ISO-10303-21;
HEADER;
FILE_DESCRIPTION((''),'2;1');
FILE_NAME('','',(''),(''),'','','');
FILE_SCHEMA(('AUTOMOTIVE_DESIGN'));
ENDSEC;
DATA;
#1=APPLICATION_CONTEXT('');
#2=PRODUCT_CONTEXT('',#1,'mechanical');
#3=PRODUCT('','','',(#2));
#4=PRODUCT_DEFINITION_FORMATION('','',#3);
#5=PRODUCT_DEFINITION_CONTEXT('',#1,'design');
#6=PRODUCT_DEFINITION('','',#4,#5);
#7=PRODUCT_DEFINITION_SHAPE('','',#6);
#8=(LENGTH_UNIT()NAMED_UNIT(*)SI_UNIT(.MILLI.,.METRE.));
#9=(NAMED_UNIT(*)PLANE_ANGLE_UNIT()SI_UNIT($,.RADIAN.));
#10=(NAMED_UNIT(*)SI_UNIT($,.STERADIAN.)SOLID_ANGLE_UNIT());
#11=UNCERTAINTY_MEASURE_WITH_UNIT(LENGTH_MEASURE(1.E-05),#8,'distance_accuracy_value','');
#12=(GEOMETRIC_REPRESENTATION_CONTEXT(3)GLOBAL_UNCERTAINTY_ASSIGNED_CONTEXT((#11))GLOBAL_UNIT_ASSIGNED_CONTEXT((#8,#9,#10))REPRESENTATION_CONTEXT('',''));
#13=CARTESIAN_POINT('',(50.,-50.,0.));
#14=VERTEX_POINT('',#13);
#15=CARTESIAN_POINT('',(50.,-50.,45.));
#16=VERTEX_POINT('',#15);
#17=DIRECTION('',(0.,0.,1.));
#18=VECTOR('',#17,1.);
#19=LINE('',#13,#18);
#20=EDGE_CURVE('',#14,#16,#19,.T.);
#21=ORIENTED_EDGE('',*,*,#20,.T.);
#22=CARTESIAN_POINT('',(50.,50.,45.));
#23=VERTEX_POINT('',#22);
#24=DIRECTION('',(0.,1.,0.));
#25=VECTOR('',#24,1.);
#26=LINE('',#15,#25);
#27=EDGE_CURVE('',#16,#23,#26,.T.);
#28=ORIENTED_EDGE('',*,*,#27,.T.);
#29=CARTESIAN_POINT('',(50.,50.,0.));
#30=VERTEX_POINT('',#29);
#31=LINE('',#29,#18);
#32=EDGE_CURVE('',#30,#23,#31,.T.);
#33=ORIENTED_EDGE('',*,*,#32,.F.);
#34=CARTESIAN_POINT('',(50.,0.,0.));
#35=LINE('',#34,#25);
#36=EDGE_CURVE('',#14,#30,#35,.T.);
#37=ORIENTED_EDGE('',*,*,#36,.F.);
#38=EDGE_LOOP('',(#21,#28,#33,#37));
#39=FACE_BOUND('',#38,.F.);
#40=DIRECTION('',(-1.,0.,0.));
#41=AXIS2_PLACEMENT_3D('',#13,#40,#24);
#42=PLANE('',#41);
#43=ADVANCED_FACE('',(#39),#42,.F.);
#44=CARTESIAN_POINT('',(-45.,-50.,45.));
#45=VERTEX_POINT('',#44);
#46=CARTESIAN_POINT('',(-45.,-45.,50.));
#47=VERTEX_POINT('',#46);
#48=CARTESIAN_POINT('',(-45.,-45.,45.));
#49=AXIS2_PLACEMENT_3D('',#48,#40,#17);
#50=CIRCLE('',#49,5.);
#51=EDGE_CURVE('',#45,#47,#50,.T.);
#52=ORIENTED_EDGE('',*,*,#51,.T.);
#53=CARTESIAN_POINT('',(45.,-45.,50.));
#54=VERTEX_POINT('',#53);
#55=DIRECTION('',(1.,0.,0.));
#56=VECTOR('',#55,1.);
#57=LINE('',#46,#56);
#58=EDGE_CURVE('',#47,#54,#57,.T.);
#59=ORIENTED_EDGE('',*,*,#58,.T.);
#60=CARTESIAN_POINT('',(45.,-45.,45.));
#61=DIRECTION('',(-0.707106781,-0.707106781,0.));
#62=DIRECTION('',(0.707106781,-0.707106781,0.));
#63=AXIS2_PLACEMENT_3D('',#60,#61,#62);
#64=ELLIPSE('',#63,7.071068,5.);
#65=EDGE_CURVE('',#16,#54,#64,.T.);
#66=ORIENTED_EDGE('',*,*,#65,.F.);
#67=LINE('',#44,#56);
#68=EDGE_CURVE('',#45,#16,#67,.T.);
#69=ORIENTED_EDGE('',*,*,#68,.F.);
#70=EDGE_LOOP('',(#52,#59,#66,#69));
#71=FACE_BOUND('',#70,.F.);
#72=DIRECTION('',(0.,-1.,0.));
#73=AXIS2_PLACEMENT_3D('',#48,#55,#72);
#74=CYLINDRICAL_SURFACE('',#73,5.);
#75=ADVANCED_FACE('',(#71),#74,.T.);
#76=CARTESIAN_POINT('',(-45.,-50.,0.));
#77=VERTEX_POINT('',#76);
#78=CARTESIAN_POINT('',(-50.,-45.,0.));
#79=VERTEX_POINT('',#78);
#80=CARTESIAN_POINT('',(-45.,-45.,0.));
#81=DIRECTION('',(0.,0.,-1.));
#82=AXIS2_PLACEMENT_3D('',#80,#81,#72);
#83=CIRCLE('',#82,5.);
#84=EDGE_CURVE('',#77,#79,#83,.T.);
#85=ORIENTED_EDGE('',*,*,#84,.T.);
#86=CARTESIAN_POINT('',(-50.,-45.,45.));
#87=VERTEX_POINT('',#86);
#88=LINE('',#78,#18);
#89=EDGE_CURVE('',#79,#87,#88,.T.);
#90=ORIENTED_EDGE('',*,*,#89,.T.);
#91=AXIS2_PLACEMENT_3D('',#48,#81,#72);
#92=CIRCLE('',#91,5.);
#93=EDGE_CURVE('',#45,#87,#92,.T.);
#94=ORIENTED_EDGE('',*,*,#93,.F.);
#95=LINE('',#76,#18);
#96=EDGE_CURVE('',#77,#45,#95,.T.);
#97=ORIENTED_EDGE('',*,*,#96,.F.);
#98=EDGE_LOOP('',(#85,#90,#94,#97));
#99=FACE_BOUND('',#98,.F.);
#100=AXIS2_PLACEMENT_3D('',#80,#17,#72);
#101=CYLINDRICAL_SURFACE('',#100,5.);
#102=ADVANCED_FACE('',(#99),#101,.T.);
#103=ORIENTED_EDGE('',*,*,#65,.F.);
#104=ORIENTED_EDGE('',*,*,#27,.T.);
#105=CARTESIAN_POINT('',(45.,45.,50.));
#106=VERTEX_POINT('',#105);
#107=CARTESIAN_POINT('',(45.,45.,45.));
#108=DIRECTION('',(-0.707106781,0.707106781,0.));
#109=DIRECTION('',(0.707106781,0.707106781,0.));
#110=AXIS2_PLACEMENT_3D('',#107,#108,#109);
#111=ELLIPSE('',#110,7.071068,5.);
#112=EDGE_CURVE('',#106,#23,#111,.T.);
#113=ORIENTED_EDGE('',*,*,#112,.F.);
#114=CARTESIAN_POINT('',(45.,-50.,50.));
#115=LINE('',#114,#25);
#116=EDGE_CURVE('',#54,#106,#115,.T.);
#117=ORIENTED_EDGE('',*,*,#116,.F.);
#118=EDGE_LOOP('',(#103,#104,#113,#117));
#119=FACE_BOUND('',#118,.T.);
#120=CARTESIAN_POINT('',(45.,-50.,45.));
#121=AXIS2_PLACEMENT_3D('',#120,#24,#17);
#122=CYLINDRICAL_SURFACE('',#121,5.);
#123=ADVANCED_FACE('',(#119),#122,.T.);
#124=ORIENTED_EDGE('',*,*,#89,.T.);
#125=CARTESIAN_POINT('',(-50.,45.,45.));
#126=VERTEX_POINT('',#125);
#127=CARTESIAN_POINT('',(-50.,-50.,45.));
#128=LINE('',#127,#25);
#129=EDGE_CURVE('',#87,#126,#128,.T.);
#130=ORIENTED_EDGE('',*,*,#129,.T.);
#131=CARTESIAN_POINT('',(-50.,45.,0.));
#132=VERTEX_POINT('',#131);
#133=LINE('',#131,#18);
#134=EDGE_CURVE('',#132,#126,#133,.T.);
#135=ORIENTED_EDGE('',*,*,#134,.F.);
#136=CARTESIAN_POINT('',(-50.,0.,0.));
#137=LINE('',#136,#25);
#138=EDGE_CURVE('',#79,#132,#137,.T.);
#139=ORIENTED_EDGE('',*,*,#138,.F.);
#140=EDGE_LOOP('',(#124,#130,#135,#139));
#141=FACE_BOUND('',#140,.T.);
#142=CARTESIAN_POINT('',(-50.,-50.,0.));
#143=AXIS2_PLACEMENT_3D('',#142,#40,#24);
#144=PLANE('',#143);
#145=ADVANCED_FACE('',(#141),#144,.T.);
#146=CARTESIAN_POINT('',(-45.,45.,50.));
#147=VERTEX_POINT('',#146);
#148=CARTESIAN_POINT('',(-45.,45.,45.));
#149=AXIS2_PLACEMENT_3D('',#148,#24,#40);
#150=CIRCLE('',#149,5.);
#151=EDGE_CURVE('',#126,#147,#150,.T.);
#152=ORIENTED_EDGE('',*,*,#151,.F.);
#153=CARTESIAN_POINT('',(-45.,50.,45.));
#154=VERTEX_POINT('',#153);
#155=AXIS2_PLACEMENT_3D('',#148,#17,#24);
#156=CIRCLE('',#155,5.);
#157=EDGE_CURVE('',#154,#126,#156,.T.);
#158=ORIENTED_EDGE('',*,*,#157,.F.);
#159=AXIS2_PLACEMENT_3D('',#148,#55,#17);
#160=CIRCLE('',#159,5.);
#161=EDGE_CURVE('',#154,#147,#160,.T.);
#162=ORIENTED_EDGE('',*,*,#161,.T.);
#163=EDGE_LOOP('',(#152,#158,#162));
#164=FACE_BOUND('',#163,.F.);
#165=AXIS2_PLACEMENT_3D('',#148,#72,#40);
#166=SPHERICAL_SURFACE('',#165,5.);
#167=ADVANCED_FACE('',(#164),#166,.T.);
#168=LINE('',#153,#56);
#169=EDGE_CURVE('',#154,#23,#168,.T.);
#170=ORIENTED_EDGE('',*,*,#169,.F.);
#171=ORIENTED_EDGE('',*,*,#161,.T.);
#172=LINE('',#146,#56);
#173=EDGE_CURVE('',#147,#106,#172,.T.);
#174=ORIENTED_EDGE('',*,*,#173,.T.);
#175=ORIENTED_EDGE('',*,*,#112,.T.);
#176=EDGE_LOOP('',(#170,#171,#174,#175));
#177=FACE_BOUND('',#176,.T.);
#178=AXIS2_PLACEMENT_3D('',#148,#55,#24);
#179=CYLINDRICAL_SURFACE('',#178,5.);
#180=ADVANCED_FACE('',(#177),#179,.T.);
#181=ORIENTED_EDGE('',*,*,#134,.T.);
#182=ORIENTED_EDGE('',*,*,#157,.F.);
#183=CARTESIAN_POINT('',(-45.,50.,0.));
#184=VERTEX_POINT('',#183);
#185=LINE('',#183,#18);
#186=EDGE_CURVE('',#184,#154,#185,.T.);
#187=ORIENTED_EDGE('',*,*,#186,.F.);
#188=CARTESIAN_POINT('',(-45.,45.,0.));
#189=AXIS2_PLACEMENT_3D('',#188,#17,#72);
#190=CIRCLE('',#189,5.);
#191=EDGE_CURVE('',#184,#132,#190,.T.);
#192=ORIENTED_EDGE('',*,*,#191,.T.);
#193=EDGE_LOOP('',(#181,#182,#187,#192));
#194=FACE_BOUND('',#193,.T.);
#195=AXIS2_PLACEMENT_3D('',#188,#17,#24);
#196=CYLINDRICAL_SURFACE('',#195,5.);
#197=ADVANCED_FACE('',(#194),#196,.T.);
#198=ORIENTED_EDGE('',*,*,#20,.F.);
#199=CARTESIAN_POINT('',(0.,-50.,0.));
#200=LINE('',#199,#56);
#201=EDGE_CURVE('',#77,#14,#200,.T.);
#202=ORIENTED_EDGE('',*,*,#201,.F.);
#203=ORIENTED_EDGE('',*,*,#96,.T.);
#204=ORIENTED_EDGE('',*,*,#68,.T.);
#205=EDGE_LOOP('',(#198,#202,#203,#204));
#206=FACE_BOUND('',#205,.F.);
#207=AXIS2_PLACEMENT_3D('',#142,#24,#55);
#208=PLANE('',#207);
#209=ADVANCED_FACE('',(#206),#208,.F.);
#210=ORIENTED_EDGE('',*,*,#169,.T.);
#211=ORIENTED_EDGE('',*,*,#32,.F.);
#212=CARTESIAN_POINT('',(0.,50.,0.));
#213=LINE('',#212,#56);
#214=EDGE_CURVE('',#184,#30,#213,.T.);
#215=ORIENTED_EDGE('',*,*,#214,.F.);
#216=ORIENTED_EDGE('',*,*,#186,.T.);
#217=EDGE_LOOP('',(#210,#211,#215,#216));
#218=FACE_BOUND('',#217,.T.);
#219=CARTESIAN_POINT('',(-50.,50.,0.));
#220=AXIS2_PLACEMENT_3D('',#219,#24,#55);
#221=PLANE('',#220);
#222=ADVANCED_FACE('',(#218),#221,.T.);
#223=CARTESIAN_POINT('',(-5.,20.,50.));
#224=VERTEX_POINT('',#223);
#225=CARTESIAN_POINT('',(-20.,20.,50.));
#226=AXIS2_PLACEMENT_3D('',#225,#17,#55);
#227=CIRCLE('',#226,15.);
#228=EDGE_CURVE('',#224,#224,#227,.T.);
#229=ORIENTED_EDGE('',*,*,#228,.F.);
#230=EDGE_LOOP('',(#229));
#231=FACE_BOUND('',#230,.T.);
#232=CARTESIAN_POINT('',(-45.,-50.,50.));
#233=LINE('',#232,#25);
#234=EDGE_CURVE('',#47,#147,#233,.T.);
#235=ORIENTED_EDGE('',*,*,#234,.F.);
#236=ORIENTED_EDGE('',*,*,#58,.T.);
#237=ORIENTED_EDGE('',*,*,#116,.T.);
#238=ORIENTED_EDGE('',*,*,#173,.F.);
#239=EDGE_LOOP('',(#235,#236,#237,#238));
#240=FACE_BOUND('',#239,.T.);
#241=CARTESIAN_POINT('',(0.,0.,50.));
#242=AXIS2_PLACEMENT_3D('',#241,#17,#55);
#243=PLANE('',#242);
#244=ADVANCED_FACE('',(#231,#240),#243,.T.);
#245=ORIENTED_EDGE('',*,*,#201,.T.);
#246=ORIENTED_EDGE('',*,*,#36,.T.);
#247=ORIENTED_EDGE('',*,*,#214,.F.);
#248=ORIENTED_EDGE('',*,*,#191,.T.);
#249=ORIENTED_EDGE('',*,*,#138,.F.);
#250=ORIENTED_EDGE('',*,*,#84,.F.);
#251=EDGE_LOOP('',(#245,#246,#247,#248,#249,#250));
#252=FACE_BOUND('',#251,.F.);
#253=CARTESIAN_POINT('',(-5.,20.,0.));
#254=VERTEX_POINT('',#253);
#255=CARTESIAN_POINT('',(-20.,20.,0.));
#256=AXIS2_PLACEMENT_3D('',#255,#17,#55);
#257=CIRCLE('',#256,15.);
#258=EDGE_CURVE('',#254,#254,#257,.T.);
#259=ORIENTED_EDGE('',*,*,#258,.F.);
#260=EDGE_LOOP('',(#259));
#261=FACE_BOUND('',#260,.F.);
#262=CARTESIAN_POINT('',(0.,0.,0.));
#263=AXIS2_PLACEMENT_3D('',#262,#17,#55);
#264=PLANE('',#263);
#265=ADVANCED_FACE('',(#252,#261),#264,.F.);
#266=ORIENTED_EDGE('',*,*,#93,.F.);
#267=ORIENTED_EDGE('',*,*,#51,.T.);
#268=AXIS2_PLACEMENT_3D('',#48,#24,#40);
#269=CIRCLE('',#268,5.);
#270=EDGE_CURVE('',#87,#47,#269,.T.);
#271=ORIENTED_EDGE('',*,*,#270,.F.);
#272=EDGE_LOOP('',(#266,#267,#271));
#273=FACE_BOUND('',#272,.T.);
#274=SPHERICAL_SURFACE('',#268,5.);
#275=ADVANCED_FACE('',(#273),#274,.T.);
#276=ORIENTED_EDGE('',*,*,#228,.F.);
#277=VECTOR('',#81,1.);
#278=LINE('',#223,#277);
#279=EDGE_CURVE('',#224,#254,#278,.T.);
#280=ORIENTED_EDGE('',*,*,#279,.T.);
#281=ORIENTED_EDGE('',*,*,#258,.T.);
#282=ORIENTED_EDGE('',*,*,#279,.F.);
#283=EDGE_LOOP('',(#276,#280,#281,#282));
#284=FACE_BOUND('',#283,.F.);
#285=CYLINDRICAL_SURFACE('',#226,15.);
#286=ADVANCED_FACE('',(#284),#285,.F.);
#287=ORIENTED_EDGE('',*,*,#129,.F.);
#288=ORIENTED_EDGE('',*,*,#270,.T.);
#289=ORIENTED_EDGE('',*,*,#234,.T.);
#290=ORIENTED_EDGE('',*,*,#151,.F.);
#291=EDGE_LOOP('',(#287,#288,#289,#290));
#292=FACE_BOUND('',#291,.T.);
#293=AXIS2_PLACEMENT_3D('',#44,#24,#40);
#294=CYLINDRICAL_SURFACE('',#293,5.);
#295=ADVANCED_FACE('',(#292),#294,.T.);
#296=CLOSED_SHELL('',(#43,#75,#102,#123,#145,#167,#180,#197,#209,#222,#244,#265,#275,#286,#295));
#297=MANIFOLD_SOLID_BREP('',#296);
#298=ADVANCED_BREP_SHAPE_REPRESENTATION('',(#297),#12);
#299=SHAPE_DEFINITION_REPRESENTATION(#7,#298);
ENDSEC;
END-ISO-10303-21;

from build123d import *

# Parameters (mm, degrees)
F0_W     = 100
F0_H     = 100
F1_DEPTH = 50
F2_R     = 15
F3_DEPTH = 50.001
F4_R     = 5
F5_R     = 5


with BuildPart() as f1:
    # F0 (on Top) → F1 (new body)
    with BuildSketch(Plane.XY):
        Rectangle(F0_W, F0_H)
    extrude(amount=F1_DEPTH)

    # F2 (on face) → F3 (cut, through all)
    with BuildSketch(Plane.XY.offset(50)):
        with Locations((-20, 20)):
            Circle(F2_R)
    extrude(amount=-F3_DEPTH, mode=Mode.SUBTRACT)

    # F4
    f4_edges = [f1.edges().sort_by_distance(p)[0] for p in [
        (-50, 0, 50),
    ]]
    fillet(f4_edges, radius=F4_R)

    # F5
    f5_edges = [f1.edges().sort_by_distance(p)[0] for p in [
        (2.5, -50, 50),
        (50, 0, 50),
        (2.5, 50, 50),
    ]]
    fillet(f5_edges, radius=F5_R)


solid = f1.part
